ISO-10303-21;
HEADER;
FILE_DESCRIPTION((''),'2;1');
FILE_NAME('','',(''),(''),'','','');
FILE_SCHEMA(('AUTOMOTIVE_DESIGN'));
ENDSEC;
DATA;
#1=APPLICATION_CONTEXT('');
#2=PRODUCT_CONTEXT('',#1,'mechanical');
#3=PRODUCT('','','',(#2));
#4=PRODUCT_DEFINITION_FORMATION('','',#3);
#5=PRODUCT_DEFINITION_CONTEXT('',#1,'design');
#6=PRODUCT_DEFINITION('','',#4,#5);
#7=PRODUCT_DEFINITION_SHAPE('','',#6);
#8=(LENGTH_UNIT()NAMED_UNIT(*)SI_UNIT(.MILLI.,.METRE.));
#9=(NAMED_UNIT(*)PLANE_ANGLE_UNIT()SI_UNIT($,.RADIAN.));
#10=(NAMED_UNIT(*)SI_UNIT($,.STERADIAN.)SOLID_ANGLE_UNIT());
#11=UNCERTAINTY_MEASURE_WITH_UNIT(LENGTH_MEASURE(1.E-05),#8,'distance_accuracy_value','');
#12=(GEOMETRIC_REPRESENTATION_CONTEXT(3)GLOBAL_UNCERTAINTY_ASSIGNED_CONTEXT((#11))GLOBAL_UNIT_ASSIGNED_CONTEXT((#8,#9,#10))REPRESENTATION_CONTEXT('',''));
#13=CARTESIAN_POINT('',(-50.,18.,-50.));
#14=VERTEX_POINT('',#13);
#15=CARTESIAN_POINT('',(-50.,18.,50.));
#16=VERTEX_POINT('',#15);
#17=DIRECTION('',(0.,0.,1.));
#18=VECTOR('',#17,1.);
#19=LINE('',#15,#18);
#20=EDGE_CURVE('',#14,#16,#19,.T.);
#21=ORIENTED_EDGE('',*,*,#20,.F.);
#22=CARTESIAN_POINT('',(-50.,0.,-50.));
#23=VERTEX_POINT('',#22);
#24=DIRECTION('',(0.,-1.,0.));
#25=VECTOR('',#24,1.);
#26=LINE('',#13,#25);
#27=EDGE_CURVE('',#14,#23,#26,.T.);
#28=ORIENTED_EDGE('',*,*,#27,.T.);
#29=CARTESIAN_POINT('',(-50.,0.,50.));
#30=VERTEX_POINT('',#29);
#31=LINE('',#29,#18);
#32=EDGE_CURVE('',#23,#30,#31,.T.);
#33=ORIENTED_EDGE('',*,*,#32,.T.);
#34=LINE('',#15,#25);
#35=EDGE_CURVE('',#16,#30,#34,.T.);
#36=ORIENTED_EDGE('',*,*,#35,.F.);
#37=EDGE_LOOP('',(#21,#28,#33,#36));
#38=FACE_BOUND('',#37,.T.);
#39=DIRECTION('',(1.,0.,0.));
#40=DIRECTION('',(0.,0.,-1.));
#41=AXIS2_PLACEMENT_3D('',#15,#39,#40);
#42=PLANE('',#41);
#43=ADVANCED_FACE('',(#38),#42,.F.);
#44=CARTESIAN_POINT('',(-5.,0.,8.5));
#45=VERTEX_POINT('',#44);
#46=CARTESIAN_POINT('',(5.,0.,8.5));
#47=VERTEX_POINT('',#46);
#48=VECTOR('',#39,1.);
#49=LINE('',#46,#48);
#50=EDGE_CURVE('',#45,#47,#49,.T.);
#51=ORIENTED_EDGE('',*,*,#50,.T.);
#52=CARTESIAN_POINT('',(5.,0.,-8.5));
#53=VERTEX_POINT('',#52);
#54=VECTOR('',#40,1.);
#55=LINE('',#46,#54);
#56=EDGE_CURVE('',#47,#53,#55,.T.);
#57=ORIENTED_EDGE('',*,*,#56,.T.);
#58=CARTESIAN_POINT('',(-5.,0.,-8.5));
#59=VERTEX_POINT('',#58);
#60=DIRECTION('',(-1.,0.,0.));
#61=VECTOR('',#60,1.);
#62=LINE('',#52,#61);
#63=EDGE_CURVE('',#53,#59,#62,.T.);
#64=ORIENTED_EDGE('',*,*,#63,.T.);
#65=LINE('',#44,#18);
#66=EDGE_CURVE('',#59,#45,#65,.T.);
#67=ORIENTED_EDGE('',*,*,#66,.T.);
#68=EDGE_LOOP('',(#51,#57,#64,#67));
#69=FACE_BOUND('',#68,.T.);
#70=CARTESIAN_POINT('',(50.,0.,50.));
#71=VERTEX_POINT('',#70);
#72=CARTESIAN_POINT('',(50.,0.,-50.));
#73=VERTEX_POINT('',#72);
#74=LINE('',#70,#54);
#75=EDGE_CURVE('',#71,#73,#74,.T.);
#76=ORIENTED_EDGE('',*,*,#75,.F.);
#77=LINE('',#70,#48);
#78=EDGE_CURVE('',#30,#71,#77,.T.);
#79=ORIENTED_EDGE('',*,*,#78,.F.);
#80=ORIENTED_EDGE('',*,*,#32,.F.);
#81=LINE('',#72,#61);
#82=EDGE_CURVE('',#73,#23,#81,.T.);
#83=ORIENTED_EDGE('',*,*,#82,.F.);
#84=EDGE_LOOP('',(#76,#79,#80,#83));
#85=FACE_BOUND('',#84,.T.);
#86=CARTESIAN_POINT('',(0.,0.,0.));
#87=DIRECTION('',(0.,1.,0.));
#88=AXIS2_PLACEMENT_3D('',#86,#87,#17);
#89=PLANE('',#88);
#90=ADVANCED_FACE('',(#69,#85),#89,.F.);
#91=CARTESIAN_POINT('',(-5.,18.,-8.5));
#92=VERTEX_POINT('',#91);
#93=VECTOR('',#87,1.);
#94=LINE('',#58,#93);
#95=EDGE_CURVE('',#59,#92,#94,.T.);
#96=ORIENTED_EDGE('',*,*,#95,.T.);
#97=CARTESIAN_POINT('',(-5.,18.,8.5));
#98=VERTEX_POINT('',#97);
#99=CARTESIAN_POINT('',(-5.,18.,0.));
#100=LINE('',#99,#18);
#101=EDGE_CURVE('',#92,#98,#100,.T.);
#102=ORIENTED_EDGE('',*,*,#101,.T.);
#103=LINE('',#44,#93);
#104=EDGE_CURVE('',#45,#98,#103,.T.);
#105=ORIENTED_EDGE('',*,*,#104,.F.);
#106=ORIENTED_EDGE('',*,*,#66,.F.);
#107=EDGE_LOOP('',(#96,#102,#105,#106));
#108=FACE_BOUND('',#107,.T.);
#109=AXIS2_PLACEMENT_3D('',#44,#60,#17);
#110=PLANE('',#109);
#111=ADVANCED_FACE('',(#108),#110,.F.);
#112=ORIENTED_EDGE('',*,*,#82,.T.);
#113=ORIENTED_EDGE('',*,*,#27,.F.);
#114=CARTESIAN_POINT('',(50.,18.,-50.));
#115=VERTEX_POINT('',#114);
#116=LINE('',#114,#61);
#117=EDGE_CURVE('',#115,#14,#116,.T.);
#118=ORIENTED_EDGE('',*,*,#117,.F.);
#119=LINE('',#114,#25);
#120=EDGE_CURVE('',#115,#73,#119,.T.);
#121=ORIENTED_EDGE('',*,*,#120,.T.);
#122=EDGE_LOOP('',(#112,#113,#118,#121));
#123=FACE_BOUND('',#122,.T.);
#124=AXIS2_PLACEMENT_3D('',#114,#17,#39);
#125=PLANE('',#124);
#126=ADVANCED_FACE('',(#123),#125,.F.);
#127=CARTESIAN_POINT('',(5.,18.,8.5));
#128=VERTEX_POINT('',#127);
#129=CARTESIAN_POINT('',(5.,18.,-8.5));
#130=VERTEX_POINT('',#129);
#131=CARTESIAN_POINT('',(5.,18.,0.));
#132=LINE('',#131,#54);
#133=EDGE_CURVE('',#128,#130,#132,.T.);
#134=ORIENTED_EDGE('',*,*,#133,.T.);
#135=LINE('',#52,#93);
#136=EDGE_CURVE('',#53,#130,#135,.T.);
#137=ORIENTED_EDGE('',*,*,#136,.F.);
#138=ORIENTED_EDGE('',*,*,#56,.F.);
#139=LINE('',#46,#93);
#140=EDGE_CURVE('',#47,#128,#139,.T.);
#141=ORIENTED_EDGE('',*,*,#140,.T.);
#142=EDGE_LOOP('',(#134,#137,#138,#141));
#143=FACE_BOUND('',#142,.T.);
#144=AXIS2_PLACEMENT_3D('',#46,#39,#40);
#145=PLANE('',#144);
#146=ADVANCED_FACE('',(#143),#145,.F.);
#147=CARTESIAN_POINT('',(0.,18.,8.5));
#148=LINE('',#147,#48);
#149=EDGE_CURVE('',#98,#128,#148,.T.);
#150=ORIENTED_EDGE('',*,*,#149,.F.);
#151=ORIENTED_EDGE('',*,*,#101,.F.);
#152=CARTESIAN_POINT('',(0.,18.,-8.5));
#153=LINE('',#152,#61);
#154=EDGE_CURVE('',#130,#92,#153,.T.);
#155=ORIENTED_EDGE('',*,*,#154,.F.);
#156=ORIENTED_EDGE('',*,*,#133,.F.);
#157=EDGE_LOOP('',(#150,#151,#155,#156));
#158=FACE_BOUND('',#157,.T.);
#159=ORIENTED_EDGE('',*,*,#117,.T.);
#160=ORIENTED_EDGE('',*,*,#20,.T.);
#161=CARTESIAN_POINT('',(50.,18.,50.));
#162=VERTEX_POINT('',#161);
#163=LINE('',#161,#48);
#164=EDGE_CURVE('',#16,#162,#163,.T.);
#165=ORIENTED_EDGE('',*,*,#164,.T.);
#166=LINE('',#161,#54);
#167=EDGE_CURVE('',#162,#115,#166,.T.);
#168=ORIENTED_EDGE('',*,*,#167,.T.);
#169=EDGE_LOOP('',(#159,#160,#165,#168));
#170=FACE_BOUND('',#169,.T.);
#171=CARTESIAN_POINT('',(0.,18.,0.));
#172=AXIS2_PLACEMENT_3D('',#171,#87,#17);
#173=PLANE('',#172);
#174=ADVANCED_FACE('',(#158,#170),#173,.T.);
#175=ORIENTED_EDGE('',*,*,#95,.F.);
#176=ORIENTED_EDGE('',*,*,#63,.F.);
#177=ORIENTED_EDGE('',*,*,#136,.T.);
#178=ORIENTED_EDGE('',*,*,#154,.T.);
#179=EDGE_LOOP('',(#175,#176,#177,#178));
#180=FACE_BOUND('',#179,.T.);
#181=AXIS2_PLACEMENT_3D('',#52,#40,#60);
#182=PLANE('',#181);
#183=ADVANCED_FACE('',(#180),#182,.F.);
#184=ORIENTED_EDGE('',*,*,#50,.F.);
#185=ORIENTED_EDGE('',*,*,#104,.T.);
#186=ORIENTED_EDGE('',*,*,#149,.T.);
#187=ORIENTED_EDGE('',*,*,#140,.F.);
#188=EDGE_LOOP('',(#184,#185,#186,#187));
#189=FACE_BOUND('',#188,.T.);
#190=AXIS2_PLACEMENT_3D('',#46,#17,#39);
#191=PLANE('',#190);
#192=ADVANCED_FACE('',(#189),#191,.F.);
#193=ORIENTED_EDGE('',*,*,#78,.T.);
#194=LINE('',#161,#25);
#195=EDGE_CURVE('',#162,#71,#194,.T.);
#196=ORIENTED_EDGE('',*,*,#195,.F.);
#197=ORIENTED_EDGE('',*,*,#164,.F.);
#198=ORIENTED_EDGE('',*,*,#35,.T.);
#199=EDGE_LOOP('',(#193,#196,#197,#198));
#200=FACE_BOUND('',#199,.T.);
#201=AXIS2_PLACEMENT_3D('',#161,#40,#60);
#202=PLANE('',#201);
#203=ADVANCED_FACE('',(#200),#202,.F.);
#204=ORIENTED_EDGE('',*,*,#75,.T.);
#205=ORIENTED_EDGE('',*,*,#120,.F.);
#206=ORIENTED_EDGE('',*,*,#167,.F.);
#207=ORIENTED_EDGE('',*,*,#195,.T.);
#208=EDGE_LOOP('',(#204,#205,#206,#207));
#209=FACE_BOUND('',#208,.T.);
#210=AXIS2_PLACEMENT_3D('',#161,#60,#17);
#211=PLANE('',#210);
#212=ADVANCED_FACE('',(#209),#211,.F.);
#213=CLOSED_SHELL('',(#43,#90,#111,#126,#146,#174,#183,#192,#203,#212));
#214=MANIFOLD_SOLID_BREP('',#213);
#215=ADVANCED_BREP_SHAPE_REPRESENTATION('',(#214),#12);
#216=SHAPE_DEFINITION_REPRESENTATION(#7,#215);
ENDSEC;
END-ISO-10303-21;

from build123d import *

# Parameters (mm, degrees)
SKETCH_1_W               = 100
SKETCH_1_H               = 100
EXTRUDE_1_DEPTH          = 18
CUT_EXTRUDE_1_DEPTH      = 73.965745388
CUT_EXTRUDE_1_DEPTH_BACK = 73.965745388
SKETCH_2_W               = 10
SKETCH_2_H               = 17


with BuildPart() as part:
    # Эскиз1 → Бобышка-Вытянуть1 (new body)
    with BuildSketch(Plane(origin=(0, 0, 0), x_dir=(1, 0, 0), z_dir=(0, 1, 0))):
        Rectangle(SKETCH_1_W, SKETCH_1_H)
    extrude(amount=EXTRUDE_1_DEPTH)

    # Эскиз2 → Вырез-Вытянуть1 (cut, two sides: drawn at the far end of the back side and taken through both)
    with BuildSketch(Plane(origin=(0, 18, 0), x_dir=(1, 0, 0), z_dir=(0, 1, 0)).offset(-CUT_EXTRUDE_1_DEPTH_BACK)):
        Rectangle(SKETCH_2_W, SKETCH_2_H)
    extrude(amount=CUT_EXTRUDE_1_DEPTH + CUT_EXTRUDE_1_DEPTH_BACK, mode=Mode.SUBTRACT)


solid = part.part
